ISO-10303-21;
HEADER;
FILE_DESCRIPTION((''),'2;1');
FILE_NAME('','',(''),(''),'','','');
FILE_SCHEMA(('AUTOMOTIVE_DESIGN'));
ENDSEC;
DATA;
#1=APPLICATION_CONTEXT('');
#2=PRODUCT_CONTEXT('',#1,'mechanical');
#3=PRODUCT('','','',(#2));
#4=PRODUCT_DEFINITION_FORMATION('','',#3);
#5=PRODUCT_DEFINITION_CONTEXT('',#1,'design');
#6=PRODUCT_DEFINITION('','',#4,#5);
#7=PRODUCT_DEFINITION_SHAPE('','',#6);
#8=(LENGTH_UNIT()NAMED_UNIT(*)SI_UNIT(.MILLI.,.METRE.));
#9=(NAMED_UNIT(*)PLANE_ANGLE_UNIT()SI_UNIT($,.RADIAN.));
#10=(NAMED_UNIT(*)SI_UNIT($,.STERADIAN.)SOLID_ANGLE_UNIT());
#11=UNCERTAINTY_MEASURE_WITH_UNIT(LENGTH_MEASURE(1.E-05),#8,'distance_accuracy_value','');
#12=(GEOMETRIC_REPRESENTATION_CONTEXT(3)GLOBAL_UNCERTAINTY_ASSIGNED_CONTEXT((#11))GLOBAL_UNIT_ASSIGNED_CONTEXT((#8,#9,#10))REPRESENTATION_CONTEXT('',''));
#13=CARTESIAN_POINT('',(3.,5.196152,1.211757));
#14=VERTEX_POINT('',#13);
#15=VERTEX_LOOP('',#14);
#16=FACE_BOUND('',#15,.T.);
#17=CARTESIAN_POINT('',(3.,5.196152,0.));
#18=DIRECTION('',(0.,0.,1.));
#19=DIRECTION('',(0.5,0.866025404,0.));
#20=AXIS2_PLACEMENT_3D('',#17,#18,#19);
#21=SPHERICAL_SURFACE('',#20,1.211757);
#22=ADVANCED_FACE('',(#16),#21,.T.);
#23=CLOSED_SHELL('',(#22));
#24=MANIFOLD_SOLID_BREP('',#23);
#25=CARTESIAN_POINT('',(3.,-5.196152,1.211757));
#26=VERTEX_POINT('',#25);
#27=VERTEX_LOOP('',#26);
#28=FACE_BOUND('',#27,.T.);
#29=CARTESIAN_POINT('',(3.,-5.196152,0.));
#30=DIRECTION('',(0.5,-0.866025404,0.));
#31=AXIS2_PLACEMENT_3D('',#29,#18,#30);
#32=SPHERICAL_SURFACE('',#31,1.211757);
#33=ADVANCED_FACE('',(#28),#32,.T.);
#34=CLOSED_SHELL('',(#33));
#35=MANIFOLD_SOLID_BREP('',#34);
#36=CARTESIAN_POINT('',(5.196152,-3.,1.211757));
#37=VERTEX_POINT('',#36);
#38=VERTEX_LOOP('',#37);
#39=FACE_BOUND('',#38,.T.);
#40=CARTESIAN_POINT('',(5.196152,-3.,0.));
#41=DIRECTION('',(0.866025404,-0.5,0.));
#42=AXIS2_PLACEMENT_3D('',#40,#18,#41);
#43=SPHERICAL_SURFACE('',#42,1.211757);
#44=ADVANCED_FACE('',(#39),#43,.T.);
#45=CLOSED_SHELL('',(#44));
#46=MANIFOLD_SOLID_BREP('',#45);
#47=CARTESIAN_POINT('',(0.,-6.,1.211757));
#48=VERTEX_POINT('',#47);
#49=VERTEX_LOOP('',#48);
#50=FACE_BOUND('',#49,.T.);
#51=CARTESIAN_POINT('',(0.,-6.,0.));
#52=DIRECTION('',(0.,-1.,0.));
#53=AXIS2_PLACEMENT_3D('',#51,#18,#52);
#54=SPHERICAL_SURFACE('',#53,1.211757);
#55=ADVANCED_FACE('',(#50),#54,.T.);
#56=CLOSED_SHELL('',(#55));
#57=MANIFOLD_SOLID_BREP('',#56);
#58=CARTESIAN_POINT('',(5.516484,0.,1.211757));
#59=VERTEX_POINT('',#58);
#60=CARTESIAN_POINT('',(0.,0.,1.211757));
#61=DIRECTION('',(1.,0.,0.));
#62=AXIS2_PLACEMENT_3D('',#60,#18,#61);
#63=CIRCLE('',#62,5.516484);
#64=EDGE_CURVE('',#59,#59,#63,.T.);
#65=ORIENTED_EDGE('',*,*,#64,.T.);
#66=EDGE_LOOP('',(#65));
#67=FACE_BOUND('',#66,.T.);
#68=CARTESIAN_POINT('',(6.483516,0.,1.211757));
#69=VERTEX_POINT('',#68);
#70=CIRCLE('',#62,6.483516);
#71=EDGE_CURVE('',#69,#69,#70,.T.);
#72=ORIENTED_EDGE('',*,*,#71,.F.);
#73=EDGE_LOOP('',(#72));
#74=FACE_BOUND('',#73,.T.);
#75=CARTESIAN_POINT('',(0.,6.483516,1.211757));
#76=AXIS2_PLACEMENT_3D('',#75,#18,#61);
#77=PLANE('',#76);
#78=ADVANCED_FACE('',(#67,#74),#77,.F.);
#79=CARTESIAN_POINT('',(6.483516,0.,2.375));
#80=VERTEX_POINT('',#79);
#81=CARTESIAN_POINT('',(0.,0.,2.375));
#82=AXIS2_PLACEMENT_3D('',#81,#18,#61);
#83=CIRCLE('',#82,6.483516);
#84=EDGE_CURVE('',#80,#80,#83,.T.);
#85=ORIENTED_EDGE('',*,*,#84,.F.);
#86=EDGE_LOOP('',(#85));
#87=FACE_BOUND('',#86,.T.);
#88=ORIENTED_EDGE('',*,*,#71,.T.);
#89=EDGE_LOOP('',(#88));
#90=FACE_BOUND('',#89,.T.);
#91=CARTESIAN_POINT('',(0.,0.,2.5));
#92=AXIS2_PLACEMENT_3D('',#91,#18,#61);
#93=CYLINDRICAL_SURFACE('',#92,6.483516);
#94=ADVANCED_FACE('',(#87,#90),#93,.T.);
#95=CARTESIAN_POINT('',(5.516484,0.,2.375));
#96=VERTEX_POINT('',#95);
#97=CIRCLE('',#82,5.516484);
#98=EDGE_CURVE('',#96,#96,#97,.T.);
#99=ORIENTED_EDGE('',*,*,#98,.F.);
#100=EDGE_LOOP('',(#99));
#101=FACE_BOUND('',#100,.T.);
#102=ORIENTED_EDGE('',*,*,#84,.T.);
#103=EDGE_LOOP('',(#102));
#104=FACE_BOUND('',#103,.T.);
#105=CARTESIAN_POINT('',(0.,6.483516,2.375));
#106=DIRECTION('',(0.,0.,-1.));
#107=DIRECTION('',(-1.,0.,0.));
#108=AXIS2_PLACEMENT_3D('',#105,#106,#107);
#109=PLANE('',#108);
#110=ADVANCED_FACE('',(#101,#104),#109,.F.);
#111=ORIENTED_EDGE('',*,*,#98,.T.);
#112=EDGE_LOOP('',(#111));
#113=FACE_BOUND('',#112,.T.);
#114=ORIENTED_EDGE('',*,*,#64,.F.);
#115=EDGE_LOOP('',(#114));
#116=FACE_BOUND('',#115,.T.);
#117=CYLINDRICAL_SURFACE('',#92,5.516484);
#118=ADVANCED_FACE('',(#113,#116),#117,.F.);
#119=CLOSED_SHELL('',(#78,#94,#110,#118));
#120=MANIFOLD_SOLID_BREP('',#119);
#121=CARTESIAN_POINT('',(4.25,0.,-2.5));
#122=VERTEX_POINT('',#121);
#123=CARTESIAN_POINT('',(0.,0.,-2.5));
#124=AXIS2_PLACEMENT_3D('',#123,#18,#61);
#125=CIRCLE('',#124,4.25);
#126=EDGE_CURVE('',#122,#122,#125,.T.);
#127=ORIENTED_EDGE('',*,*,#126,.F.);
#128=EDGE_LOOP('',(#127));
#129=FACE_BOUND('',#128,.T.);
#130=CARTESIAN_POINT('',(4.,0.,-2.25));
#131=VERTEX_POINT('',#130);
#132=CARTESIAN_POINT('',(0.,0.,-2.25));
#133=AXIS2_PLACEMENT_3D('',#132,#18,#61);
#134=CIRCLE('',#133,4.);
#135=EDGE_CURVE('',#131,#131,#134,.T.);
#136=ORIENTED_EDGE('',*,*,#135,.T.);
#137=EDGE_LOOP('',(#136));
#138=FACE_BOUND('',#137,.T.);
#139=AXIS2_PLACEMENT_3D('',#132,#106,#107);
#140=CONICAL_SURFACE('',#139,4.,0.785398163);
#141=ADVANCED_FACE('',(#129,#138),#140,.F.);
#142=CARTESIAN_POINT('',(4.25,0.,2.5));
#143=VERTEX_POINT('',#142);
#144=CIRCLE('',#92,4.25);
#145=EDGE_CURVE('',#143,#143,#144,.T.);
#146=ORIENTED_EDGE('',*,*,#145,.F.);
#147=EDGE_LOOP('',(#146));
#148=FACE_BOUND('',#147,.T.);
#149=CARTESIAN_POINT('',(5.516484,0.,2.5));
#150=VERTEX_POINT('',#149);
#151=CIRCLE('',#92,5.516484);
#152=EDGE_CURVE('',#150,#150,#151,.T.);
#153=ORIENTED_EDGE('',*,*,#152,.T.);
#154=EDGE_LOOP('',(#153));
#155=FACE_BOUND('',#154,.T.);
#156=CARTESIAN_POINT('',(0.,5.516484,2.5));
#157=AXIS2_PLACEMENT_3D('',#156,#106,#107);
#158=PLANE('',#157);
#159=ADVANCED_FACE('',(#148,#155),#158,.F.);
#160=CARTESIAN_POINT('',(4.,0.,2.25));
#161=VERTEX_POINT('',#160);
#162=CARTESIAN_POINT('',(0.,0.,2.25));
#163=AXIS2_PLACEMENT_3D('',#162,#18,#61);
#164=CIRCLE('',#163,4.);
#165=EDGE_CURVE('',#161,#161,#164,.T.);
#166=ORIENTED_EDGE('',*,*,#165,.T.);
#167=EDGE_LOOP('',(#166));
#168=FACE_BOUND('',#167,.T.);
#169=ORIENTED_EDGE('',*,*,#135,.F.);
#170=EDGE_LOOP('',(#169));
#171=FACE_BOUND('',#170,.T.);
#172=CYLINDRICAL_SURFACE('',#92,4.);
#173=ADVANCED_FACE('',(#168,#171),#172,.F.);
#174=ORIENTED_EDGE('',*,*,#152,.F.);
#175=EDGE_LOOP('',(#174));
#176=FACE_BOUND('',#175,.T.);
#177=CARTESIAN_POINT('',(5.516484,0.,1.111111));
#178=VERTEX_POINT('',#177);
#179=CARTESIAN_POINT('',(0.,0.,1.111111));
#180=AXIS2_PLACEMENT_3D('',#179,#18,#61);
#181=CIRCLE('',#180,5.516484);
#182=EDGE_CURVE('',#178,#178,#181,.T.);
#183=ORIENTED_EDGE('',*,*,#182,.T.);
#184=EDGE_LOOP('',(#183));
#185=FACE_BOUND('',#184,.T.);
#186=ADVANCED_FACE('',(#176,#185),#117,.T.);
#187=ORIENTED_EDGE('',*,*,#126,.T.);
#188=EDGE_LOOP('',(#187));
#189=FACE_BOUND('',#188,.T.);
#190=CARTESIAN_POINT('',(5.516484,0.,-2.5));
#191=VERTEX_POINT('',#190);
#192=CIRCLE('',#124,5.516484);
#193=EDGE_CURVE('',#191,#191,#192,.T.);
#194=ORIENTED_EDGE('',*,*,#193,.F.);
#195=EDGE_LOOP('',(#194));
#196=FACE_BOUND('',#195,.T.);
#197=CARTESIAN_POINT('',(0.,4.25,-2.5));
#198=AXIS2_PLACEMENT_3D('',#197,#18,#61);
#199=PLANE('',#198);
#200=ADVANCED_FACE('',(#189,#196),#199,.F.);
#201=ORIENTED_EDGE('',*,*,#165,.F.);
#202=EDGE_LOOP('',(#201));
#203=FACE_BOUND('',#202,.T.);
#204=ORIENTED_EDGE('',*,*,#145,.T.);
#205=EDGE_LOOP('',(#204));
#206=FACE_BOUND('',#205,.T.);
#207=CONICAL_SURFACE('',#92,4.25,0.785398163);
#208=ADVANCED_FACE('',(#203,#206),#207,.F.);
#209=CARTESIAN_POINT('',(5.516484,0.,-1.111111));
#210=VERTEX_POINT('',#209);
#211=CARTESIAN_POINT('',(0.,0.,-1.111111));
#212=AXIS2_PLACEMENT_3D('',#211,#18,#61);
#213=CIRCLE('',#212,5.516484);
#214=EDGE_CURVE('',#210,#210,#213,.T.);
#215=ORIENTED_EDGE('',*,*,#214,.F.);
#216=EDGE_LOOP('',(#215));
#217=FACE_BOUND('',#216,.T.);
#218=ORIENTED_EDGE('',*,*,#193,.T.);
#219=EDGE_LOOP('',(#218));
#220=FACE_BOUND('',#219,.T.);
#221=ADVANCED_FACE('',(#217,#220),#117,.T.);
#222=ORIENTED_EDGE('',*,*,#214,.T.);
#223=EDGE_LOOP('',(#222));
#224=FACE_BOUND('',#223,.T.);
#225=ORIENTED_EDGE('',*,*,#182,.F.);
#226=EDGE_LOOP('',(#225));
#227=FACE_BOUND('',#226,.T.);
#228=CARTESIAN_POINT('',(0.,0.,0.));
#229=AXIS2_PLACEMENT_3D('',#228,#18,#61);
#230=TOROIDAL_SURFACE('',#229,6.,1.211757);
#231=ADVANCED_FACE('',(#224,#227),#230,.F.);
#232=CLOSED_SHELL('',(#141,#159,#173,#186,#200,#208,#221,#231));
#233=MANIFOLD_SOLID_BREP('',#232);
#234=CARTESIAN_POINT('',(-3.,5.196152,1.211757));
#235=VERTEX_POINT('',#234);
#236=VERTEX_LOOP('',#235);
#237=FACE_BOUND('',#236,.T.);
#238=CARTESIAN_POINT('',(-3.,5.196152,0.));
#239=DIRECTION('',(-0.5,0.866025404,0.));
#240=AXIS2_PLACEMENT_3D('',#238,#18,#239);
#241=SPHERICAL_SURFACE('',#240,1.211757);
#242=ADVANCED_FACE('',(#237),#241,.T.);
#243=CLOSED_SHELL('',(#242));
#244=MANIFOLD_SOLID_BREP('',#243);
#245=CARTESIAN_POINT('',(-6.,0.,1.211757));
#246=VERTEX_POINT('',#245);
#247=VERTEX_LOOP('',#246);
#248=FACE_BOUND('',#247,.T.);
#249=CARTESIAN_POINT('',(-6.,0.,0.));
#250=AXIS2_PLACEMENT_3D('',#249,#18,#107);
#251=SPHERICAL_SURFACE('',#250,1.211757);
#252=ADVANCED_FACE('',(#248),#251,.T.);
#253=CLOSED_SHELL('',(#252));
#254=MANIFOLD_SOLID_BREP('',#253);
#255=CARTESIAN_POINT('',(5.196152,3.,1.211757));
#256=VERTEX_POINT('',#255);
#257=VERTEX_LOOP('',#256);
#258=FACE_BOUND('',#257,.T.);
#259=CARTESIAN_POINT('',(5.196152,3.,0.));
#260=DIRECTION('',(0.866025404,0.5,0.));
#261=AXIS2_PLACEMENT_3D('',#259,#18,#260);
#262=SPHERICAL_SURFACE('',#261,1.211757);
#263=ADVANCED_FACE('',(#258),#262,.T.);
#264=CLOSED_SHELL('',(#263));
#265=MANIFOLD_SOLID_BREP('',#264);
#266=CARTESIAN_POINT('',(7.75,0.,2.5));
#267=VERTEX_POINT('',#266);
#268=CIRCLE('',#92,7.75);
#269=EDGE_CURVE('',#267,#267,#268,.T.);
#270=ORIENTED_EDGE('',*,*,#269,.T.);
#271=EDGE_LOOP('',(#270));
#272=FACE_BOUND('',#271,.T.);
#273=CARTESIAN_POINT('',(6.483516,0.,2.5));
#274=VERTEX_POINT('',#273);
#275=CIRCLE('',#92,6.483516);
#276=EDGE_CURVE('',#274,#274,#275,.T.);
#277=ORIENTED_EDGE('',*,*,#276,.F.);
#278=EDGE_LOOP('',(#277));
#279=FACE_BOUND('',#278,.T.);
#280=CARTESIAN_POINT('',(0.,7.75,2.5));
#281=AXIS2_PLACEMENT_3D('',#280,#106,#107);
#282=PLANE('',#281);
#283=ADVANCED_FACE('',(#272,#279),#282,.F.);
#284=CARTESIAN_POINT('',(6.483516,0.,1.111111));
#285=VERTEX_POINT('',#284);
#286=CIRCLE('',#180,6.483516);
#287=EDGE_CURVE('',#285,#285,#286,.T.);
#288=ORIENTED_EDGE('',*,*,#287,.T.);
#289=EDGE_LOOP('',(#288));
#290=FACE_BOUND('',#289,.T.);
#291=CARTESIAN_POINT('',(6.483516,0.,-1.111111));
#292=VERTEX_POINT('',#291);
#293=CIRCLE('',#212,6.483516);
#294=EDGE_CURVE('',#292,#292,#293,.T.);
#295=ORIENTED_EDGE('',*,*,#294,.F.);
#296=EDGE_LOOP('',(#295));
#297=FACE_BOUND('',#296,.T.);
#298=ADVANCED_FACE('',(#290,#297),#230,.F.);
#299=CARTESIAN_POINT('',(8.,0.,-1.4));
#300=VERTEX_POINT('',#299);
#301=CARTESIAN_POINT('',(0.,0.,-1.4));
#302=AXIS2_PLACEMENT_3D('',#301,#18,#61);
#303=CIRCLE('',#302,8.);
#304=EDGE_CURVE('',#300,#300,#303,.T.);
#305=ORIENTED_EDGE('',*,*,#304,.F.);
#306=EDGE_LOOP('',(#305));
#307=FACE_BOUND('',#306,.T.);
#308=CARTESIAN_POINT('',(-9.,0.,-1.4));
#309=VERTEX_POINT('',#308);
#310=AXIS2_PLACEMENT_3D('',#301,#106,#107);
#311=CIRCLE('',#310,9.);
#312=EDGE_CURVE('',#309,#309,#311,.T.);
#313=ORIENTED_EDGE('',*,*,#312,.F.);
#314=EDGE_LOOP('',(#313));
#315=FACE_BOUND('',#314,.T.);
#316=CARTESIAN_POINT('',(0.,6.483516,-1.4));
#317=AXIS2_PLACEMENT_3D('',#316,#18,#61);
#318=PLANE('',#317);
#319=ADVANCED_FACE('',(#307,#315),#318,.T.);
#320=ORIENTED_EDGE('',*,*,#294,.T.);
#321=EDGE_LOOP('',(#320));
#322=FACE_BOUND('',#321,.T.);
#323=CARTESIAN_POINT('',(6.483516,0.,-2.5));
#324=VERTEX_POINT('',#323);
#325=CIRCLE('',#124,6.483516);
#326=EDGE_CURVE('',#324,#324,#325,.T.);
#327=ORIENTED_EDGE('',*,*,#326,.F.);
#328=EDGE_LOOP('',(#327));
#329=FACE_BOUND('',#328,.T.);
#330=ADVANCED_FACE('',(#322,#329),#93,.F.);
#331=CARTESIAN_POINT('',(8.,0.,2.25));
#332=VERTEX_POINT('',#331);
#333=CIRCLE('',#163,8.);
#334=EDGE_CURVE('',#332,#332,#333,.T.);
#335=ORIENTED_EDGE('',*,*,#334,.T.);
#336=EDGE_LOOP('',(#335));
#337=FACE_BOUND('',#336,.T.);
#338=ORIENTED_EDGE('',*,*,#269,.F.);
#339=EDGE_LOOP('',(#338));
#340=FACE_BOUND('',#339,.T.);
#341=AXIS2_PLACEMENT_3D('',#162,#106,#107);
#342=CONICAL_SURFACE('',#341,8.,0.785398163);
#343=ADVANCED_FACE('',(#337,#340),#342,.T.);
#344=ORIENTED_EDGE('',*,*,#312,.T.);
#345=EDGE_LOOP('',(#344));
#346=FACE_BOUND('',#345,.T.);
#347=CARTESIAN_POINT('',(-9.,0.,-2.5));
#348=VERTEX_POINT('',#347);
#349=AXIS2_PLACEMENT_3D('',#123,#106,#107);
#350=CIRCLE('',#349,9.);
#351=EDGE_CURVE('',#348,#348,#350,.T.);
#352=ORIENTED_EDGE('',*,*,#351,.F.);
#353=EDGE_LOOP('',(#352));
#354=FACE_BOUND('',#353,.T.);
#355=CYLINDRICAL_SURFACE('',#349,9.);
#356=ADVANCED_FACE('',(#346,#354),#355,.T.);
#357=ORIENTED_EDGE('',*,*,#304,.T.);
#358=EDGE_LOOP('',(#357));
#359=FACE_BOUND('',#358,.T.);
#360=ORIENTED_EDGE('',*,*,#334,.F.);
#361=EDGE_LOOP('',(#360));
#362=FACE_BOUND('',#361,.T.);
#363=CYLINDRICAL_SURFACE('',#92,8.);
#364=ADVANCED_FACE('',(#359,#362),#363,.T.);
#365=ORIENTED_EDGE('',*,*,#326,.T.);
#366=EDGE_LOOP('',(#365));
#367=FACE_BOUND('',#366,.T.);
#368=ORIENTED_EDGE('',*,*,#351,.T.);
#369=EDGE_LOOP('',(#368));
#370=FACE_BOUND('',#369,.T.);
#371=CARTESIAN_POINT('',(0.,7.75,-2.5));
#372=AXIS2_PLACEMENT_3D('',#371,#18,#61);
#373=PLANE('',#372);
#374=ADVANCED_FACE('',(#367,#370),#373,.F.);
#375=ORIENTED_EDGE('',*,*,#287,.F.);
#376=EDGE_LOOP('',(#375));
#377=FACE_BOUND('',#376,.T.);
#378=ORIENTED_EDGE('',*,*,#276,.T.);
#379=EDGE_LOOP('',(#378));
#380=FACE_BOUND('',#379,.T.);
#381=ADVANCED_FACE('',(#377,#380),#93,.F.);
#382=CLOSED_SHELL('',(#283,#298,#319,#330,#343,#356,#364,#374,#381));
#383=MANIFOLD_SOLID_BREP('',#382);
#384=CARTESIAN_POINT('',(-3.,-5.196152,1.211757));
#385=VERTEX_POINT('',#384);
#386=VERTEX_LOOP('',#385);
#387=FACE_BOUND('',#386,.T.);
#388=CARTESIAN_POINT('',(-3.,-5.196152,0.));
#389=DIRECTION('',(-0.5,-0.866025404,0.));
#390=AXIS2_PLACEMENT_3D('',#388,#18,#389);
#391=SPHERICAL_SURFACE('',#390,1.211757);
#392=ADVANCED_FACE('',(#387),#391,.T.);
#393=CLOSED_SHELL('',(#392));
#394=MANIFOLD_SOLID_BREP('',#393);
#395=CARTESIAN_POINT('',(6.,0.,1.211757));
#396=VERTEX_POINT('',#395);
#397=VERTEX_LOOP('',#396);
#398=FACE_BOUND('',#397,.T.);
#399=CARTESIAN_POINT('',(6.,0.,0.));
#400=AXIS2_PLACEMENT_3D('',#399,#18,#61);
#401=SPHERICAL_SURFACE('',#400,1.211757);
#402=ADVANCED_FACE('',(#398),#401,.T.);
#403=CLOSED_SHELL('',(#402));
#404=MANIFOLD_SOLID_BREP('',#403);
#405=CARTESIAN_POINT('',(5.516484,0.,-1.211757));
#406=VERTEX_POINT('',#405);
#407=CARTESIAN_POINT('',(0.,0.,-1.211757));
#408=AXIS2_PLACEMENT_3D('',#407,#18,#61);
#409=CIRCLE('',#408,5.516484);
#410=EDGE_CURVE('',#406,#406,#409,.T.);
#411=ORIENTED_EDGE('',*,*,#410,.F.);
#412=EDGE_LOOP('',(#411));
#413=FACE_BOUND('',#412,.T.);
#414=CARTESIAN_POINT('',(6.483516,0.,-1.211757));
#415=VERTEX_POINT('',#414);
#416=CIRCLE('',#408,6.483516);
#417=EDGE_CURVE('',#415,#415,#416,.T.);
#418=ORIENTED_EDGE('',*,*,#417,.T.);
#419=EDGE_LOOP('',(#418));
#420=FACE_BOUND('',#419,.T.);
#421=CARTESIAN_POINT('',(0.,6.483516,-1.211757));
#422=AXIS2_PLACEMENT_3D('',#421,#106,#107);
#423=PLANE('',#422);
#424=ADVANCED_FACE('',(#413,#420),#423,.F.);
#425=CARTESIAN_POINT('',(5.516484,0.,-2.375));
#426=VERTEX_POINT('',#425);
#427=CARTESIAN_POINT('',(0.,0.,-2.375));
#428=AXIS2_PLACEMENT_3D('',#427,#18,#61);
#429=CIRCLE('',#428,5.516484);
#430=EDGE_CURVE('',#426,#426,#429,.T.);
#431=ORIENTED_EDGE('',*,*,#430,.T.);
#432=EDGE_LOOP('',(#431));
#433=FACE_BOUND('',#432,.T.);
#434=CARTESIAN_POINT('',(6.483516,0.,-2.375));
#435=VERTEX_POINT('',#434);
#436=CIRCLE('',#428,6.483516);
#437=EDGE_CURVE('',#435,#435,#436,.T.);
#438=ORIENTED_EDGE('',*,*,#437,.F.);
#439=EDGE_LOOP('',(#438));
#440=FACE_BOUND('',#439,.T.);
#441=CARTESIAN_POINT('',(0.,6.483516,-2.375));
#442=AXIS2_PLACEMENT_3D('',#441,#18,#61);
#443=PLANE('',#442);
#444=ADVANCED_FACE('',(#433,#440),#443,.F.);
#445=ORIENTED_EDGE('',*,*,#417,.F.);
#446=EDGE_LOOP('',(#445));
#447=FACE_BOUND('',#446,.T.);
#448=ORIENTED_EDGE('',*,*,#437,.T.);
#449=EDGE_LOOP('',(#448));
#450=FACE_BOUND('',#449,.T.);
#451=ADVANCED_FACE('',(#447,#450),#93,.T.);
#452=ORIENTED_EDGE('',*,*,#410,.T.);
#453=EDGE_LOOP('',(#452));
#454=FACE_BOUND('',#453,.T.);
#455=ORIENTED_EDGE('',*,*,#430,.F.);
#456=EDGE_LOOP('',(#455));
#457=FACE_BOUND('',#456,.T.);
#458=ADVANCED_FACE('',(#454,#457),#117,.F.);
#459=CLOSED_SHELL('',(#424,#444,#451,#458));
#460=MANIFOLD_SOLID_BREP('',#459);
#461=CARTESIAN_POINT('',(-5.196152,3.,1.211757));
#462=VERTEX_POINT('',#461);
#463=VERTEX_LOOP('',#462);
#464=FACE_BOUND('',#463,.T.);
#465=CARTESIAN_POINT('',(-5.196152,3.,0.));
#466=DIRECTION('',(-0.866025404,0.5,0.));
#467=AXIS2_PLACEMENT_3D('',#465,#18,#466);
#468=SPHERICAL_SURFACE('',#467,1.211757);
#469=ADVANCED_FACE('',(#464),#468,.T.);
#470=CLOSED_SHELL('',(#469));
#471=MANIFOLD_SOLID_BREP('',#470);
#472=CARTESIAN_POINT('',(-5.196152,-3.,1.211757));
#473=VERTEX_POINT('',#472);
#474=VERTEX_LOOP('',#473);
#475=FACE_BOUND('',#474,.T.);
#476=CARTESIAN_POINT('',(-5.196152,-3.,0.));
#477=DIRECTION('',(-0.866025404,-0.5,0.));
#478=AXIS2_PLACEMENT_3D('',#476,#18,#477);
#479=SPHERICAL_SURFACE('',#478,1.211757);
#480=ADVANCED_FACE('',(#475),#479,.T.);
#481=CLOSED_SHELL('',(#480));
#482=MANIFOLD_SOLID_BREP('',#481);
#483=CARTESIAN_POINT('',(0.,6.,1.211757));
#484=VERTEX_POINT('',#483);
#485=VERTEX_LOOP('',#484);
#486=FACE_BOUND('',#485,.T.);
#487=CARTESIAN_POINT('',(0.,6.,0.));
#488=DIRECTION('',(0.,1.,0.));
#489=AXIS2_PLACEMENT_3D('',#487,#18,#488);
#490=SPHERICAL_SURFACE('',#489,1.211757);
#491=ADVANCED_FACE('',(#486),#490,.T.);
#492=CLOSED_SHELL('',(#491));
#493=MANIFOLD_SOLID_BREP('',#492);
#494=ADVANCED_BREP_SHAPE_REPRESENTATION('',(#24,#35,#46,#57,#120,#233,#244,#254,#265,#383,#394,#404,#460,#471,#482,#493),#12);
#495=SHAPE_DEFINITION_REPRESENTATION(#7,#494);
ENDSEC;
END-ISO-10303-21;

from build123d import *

# Parameters (mm, degrees)
CIRPATTERN1_COUNT = 12
SKETCH5_W         = 1.163242561
SKETCH5_H         = 0.967032968
SKETCH6_W         = 1.1
SKETCH6_H         = 2.516483516


with BuildPart() as part:
    # Sketch1 → Revolve1 (revolve)
    with BuildSketch(Plane(origin=(0, 0, 0), x_dir=(0, 0, -1), z_dir=(1, 0, 0))):
        with BuildLine():
            Line((2.25, 8), (-2.25, 8))
            Line((-2.25, 8), (-2.5, 7.75))
            Line((-2.5, 7.75), (-2.5, 6.483516484))
            Line((-2.5, 6.483516484), (-1.111111111, 6.483516484))
            ThreePointArc((-1.111111111, 6.483516484), (0, 7.211757439), (1.111111111, 6.483516484))
            Line((1.111111111, 6.483516484), (2.5, 6.483516484))
            Line((2.5, 6.483516484), (2.5, 7.75))
            Line((2.5, 7.75), (2.25, 8))
        make_face()
    revolve(axis=Axis((0, 0, 2.5), (0, 0, -1)))

    # Sketch6 → Revolve6 (revolve)
    with BuildSketch(Plane(origin=(0, 0, 0), x_dir=(0, 0, -1), z_dir=(1, 0, 0))):
        with Locations((1.95, 7.741758242)):
            Rectangle(SKETCH6_W, SKETCH6_H)
    revolve(axis=Axis((0, 0, -2.5), (0, 0, 1)))


with BuildPart() as body_2:
    # Sketch3 → Revolve3 (revolve)
    with BuildSketch(Plane(origin=(0, 0, 0), x_dir=(0, 0, -1), z_dir=(1, 0, 0))):
        with BuildLine():
            Line((-2.5, 5.516483516), (-1.111111111, 5.516483516))
            ThreePointArc((-1.111111111, 5.516483516), (0, 4.788242561), (1.111111111, 5.516483516))
            Line((1.111111111, 5.516483516), (2.5, 5.516483516))
            Line((2.5, 5.516483516), (2.5, 4.25))
            Line((2.5, 4.25), (2.25, 4))
            Line((2.25, 4), (-2.25, 4))
            Line((-2.25, 4), (-2.5, 4.25))
            Line((-2.5, 4.25), (-2.5, 5.516483516))
        make_face()
    revolve(axis=Axis((0, 0, 2.5), (0, 0, -1)))


with BuildPart() as body_3:
    # Sketch4 → Revolve4 (revolve)
    with BuildSketch(Plane(origin=(0, 0, 0), x_dir=(0, 0, -1), z_dir=(1, 0, 0))):
        with BuildLine():
            Line((-1.211757439, 6), (1.211757439, 6))
            ThreePointArc((1.211757439, 6), (0, 7.211757439), (-1.211757439, 6))
        make_face()
    revolve(axis=Axis((0, 6, 1.211757439), (0, 0, -1)))


with BuildPart() as cirpattern1_1:
    # CirPattern1: pattern copy
    add(body_3.part.rotate(Axis((0, 0, -2.5), (0, 0, 1)), 1 * 360 / CIRPATTERN1_COUNT))


with BuildPart() as cirpattern1_2:
    # CirPattern1: pattern copy
    add(body_3.part.rotate(Axis((0, 0, -2.5), (0, 0, 1)), 2 * 360 / CIRPATTERN1_COUNT))


with BuildPart() as cirpattern1_3:
    # CirPattern1: pattern copy
    add(body_3.part.rotate(Axis((0, 0, -2.5), (0, 0, 1)), 3 * 360 / CIRPATTERN1_COUNT))


with BuildPart() as cirpattern1_4:
    # CirPattern1: pattern copy
    add(body_3.part.rotate(Axis((0, 0, -2.5), (0, 0, 1)), 4 * 360 / CIRPATTERN1_COUNT))


with BuildPart() as cirpattern1_5:
    # CirPattern1: pattern copy
    add(body_3.part.rotate(Axis((0, 0, -2.5), (0, 0, 1)), 5 * 360 / CIRPATTERN1_COUNT))


with BuildPart() as cirpattern1_6:
    # CirPattern1: pattern copy
    add(body_3.part.rotate(Axis((0, 0, -2.5), (0, 0, 1)), 6 * 360 / CIRPATTERN1_COUNT))


with BuildPart() as cirpattern1_7:
    # CirPattern1: pattern copy
    add(body_3.part.rotate(Axis((0, 0, -2.5), (0, 0, 1)), 7 * 360 / CIRPATTERN1_COUNT))


with BuildPart() as cirpattern1_8:
    # CirPattern1: pattern copy
    add(body_3.part.rotate(Axis((0, 0, -2.5), (0, 0, 1)), 8 * 360 / CIRPATTERN1_COUNT))


with BuildPart() as cirpattern1_9:
    # CirPattern1: pattern copy
    add(body_3.part.rotate(Axis((0, 0, -2.5), (0, 0, 1)), 9 * 360 / CIRPATTERN1_COUNT))


with BuildPart() as cirpattern1_10:
    # CirPattern1: pattern copy
    add(body_3.part.rotate(Axis((0, 0, -2.5), (0, 0, 1)), 10 * 360 / CIRPATTERN1_COUNT))


with BuildPart() as cirpattern1_11:
    # CirPattern1: pattern copy
    add(body_3.part.rotate(Axis((0, 0, -2.5), (0, 0, 1)), 11 * 360 / CIRPATTERN1_COUNT))


with BuildPart() as body_15:
    # Sketch5 → Revolve5 (revolve)
    with BuildSketch(Plane(origin=(0, 0, 0), x_dir=(0, 0, -1), z_dir=(1, 0, 0))):
        with Locations((-1.79337872, 6)):
            Rectangle(SKETCH5_W, SKETCH5_H)
        with Locations((1.79337872, 6)):
            Rectangle(SKETCH5_W, SKETCH5_H)
    revolve(axis=Axis((0, 0, 2.5), (0, 0, -1)))


solid = Compound([part.part, body_2.part, body_3.part, cirpattern1_1.part, cirpattern1_2.part, cirpattern1_3.part, cirpattern1_4.part, cirpattern1_5.part, cirpattern1_6.part, cirpattern1_7.part, cirpattern1_8.part, cirpattern1_9.part, cirpattern1_10.part, cirpattern1_11.part, body_15.part])
